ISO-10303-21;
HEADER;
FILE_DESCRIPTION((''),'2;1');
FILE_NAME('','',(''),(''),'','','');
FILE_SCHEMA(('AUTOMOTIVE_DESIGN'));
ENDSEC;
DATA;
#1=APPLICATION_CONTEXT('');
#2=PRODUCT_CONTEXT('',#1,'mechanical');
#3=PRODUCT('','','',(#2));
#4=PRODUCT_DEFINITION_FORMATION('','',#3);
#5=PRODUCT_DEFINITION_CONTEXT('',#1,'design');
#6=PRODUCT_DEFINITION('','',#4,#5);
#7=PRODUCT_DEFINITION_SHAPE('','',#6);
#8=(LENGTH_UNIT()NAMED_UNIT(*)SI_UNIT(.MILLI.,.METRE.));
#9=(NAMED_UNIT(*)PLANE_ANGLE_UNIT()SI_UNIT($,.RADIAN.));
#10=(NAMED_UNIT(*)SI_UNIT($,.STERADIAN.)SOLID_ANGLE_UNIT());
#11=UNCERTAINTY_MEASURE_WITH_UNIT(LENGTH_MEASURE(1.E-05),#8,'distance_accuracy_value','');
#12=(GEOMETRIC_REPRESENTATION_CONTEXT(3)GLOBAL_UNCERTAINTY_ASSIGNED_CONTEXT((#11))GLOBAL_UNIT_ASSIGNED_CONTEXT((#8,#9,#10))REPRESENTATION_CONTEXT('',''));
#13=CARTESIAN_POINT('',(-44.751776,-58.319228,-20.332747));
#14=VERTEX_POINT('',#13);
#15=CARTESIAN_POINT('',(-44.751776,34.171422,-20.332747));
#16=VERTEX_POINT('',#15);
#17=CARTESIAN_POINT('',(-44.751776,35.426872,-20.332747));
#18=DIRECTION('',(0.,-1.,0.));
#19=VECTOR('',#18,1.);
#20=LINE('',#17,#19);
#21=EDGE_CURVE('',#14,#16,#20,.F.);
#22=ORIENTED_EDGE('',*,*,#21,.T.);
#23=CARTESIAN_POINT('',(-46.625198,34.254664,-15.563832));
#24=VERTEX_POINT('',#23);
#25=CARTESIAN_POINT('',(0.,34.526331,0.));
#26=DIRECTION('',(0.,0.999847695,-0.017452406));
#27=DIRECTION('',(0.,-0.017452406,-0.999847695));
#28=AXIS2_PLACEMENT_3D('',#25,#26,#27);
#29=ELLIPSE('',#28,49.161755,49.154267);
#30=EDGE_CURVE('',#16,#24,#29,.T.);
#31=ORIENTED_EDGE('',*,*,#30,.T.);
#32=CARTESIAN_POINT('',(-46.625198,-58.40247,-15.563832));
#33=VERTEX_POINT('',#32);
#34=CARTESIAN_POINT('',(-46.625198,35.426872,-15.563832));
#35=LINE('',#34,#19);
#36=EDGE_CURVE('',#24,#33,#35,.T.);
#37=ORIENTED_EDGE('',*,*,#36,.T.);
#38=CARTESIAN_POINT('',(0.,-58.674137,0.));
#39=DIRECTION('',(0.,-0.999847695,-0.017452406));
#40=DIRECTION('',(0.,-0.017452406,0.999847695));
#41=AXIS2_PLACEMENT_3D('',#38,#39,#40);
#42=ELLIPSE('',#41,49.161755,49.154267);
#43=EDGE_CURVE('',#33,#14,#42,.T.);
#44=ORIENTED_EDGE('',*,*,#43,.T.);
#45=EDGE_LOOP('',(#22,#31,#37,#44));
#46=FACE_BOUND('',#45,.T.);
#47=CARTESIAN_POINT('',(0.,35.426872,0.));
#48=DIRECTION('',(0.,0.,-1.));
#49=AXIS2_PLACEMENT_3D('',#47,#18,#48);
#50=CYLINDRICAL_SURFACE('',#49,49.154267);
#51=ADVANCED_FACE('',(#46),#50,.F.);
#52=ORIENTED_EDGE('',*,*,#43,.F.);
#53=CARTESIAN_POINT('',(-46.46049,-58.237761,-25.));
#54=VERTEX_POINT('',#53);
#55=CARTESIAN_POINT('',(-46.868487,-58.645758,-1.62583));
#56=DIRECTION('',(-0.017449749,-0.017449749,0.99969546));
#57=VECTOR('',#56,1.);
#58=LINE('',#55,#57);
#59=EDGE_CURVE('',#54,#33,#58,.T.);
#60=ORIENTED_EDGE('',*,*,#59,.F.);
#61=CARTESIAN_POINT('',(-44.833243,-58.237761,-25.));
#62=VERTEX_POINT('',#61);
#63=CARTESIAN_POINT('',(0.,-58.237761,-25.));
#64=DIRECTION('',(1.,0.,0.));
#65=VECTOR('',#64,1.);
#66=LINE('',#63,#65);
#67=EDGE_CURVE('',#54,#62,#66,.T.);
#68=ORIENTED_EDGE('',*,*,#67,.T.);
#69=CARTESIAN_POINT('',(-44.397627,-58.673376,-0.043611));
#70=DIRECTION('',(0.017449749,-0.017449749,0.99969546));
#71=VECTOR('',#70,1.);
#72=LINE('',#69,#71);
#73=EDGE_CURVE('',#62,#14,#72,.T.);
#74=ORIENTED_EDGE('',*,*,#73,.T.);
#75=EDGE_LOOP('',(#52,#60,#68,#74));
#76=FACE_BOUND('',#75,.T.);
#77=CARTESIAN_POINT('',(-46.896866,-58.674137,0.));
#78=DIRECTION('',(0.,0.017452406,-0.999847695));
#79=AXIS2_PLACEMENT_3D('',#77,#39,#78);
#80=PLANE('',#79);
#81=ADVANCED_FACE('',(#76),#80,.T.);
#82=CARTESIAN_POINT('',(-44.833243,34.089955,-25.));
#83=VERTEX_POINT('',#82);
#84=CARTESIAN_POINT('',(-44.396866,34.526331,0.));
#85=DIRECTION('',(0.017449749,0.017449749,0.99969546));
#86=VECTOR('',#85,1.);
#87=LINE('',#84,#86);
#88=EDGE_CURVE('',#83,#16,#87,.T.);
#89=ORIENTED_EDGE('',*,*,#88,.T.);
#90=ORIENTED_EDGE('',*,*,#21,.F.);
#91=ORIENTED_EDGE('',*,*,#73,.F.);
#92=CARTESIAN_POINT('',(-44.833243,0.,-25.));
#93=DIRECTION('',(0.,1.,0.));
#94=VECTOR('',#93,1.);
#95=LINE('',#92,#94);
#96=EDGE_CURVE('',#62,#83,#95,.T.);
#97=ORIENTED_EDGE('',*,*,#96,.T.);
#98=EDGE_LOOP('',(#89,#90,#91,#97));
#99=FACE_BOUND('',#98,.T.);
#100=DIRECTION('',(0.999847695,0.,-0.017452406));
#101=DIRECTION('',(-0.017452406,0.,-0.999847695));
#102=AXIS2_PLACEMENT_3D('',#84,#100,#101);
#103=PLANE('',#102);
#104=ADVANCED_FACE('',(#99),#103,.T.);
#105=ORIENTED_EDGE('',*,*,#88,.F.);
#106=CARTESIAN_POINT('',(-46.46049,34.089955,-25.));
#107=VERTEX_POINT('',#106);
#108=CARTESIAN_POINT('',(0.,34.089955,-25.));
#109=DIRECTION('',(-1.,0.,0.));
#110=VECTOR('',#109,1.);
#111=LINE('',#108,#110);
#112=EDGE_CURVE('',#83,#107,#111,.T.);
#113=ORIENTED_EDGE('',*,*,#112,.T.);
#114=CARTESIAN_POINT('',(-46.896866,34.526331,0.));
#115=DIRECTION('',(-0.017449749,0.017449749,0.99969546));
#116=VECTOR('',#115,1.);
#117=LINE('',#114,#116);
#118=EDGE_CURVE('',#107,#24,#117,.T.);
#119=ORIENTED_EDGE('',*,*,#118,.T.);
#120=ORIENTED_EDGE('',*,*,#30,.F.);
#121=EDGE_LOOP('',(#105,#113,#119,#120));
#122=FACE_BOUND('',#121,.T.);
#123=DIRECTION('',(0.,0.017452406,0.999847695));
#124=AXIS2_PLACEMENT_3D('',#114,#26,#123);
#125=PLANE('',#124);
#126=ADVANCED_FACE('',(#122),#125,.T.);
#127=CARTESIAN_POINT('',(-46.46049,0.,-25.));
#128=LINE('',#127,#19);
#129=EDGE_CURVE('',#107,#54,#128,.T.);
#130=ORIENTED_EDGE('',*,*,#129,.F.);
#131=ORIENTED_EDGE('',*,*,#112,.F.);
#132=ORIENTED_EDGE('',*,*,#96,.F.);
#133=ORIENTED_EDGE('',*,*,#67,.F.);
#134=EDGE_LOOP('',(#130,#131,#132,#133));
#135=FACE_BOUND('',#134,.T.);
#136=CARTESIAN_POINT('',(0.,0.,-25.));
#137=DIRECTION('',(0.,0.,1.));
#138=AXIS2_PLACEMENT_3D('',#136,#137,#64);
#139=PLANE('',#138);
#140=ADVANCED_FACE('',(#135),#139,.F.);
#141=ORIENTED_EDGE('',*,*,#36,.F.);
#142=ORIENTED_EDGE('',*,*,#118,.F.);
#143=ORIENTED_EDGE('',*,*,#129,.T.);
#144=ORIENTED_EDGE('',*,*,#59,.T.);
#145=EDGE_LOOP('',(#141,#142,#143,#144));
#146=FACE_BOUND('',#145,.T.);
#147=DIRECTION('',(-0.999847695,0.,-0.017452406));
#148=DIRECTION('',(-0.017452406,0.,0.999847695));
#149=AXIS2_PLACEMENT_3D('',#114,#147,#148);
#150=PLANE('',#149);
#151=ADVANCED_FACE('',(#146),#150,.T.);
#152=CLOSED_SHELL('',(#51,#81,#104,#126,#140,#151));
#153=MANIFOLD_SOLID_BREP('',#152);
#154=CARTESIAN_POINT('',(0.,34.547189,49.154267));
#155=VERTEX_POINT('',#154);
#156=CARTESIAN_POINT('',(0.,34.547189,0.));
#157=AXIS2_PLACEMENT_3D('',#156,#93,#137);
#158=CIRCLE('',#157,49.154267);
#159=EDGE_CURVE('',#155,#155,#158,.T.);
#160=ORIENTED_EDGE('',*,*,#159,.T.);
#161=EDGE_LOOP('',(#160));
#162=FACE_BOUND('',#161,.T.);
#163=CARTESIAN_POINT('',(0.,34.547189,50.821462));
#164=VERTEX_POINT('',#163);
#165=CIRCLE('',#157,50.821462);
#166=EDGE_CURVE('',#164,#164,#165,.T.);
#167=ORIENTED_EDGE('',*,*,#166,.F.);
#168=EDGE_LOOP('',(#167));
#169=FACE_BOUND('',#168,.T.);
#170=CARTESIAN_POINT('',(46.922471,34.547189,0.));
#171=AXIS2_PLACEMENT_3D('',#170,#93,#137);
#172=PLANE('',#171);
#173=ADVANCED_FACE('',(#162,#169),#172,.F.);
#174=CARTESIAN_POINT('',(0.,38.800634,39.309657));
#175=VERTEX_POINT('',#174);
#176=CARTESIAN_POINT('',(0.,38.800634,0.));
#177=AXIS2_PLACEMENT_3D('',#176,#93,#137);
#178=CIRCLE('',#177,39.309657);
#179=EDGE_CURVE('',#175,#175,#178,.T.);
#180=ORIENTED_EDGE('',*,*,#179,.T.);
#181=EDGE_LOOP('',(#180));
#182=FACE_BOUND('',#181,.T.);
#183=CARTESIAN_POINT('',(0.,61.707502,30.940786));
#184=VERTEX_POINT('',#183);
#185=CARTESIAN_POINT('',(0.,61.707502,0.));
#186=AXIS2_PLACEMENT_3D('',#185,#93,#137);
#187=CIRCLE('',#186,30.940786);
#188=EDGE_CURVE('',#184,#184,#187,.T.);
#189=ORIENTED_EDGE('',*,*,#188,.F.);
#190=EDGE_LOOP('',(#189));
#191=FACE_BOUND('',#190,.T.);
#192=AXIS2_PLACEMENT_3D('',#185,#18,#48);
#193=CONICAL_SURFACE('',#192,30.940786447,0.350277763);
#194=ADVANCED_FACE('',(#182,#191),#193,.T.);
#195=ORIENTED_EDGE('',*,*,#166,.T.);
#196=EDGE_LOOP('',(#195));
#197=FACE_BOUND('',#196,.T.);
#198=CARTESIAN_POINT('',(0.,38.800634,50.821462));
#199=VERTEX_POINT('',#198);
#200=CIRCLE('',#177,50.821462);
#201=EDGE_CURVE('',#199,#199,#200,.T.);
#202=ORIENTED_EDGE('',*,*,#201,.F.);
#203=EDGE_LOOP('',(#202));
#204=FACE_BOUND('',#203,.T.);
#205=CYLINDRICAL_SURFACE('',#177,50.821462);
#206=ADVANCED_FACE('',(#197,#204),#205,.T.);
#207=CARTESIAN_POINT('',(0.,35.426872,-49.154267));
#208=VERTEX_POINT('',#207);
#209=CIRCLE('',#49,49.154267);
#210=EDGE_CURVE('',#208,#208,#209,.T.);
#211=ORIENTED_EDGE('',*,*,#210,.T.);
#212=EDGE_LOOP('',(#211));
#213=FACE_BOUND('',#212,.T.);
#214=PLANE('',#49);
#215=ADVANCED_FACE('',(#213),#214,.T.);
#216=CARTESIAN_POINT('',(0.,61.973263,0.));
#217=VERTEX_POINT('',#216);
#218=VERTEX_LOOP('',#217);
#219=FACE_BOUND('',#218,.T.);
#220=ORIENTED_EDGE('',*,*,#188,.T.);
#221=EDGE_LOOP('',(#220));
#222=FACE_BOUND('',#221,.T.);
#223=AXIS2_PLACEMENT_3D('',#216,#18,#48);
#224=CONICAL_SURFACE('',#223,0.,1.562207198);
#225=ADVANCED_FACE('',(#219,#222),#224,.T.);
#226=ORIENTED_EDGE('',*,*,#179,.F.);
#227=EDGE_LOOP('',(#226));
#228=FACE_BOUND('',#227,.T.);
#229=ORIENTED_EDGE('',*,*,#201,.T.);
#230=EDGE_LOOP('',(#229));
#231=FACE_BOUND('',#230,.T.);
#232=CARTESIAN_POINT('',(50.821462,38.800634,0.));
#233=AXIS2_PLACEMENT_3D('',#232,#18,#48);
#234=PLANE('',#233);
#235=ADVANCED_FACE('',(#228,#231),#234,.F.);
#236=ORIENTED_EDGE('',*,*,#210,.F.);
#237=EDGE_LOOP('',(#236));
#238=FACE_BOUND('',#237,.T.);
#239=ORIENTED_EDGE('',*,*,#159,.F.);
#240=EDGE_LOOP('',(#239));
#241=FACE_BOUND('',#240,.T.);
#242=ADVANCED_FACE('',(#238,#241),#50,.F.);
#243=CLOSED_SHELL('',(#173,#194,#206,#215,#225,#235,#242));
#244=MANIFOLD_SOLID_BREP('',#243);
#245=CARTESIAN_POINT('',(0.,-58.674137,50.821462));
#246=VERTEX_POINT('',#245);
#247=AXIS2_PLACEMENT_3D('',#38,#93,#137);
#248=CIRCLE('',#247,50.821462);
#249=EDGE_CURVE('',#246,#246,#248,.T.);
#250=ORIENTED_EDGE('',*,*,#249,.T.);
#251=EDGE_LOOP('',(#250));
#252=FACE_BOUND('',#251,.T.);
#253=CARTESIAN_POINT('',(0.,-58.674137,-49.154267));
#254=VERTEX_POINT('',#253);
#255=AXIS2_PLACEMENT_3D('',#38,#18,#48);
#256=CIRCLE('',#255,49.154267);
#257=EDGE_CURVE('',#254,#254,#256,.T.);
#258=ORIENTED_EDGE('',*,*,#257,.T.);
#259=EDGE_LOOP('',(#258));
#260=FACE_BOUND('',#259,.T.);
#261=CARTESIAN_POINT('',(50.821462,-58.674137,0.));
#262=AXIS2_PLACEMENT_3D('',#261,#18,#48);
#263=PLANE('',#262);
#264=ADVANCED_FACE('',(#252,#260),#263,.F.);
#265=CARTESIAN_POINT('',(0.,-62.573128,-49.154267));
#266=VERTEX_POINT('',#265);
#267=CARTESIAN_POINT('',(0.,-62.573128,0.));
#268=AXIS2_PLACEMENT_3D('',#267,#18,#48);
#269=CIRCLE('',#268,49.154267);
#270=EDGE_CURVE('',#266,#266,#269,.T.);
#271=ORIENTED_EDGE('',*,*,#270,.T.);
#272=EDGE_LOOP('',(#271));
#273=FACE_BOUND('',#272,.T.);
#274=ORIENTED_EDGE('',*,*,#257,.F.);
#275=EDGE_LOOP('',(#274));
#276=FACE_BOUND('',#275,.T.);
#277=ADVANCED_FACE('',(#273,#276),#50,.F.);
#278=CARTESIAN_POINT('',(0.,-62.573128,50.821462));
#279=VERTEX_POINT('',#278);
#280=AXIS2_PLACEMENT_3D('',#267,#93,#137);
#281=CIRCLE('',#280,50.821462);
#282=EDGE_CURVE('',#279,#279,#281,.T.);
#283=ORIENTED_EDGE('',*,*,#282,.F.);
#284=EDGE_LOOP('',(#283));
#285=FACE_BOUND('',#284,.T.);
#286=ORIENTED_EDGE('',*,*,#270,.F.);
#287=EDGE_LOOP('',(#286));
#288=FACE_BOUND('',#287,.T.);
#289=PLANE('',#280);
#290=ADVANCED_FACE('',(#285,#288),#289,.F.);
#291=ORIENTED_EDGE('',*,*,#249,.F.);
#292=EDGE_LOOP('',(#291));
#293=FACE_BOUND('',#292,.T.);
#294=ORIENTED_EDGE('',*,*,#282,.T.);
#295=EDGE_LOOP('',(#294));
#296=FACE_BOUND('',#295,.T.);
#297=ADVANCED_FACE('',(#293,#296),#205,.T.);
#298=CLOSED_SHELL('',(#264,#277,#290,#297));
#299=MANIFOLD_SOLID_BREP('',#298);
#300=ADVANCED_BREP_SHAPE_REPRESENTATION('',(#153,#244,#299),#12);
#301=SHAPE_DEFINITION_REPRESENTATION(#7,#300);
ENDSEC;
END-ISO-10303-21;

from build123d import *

# Parameters (mm, degrees)
CROQUIS3_W              = 2.5
CROQUIS3_H              = 93.200468797
CROQUIS3_H_2            = 93.221326365
SALIENTE_EXTRUIR1_DEPTH = 25
SALIENTE_EXTRUIR1_TAPER = 1
CROQUIS17_R             = 49.154267428
CORTAR_EXTRUIR1_DEPTH   = 98


with BuildPart() as part:
    # Croquis1 → Revolución1 (revolve)
    with BuildSketch(Plane.XY):
        Polygon((0, 38.800633525), (0, -62.573128225), (50.821461866, -62.573128225), (50.821461866, -58.674137389), (46.92247103, -58.674137389), (46.92247103, 34.547188976), (50.821461866, 34.547188976), (50.821461866, 38.800633525), align=None)
    revolve(axis=Axis((0, 38.800633525, 0), (0, -1, 0)))

    # Croquis3 → Saliente-Extruir1 (add)
    with BuildSketch(Plane.XY):
        with Locations((-45.646866178, -12.07390299)):
            Rectangle(CROQUIS3_W, CROQUIS3_H)
        with Locations((-40.124494984, -12.063474207)):
            Rectangle(CROQUIS3_W, CROQUIS3_H_2)
    extrude(amount=-SALIENTE_EXTRUIR1_DEPTH, taper=SALIENTE_EXTRUIR1_TAPER)

    # Croquis6 → Revolución3 (revolve)
    with BuildSketch(Plane.XY):
        Polygon((0, 61.973262814), (0, 38.800633525), (-39.309657337, 38.800633525), (-30.940786447, 61.707501888), align=None)
    revolve(axis=Axis((0, 61.973262814, 0), (0, -1, 0)))

    # Croquis17 → Cortar-Extruir1 (cut)
    with BuildSketch(Plane.XZ.offset(62.573128225)):
        Circle(CROQUIS17_R)
    extrude(amount=-CORTAR_EXTRUIR1_DEPTH, mode=Mode.SUBTRACT)


solid = part.part
